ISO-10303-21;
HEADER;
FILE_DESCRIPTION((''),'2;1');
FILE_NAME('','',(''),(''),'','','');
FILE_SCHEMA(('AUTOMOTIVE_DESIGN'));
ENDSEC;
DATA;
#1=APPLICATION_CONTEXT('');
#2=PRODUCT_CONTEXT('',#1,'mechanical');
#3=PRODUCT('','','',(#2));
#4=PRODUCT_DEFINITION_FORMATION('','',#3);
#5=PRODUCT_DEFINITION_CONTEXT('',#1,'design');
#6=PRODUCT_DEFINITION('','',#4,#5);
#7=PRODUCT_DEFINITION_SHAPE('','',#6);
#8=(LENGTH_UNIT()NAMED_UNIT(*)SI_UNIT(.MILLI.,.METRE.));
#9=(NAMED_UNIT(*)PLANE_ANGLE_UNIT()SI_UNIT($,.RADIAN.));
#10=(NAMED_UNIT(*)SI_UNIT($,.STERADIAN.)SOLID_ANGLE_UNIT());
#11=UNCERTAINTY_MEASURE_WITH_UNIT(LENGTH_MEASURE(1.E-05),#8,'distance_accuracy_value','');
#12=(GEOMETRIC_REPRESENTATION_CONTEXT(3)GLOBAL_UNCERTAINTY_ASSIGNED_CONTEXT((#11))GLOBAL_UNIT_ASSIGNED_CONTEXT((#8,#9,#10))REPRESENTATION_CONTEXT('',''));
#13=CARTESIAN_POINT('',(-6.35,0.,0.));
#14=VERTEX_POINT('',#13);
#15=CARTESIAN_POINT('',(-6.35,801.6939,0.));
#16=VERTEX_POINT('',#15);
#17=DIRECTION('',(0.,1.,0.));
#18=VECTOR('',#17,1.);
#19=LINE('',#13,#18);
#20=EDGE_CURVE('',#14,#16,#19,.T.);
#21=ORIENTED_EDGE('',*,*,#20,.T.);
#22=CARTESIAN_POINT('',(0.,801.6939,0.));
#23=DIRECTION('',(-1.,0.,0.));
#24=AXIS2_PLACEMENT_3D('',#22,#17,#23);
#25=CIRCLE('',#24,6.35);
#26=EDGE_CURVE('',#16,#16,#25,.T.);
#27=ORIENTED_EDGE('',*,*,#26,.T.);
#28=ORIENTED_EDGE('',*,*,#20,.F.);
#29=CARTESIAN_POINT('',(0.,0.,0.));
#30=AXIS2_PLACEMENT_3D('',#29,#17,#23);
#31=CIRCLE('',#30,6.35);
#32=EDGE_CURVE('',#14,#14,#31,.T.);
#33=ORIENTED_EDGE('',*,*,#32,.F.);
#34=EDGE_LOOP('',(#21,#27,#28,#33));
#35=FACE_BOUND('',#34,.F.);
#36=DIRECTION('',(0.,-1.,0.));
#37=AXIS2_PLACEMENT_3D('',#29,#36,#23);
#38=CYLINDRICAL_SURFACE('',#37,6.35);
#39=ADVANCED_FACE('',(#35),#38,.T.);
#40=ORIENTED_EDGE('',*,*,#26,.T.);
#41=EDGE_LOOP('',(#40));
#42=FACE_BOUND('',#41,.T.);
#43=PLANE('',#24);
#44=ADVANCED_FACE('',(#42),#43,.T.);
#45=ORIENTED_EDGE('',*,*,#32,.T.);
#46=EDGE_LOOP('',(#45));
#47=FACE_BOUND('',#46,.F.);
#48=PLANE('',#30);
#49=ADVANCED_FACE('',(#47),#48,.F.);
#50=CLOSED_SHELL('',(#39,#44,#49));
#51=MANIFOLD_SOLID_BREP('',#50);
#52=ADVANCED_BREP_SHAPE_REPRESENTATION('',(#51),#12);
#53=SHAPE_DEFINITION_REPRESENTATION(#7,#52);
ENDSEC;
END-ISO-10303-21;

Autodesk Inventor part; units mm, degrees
ref_plane "YZ Plane" through (0, 0, 0) normal (1, 0, 0) x (0, 1, 0)
ref_plane "XZ Plane" through (0, 0, 0) normal (0, 1, 0) x (-1, 0, 0)
ref_plane "XY Plane" through (0, 0, 0) normal (0, 0, 1) x (1, 0, 0)
sketch "Sketch1" plane through (0, 0, 0) normal (0, 1, 0) x (-1, 0, 0)
  circle A0 centre (0, 0) radius 6.35
  dimension "d0" = 12.7
extrude "Extrusion1" add sketch "Sketch1" along normal blind 801.6939
properties part number "Rebar_With_Length_Of_38_Inches" material "Steel"
